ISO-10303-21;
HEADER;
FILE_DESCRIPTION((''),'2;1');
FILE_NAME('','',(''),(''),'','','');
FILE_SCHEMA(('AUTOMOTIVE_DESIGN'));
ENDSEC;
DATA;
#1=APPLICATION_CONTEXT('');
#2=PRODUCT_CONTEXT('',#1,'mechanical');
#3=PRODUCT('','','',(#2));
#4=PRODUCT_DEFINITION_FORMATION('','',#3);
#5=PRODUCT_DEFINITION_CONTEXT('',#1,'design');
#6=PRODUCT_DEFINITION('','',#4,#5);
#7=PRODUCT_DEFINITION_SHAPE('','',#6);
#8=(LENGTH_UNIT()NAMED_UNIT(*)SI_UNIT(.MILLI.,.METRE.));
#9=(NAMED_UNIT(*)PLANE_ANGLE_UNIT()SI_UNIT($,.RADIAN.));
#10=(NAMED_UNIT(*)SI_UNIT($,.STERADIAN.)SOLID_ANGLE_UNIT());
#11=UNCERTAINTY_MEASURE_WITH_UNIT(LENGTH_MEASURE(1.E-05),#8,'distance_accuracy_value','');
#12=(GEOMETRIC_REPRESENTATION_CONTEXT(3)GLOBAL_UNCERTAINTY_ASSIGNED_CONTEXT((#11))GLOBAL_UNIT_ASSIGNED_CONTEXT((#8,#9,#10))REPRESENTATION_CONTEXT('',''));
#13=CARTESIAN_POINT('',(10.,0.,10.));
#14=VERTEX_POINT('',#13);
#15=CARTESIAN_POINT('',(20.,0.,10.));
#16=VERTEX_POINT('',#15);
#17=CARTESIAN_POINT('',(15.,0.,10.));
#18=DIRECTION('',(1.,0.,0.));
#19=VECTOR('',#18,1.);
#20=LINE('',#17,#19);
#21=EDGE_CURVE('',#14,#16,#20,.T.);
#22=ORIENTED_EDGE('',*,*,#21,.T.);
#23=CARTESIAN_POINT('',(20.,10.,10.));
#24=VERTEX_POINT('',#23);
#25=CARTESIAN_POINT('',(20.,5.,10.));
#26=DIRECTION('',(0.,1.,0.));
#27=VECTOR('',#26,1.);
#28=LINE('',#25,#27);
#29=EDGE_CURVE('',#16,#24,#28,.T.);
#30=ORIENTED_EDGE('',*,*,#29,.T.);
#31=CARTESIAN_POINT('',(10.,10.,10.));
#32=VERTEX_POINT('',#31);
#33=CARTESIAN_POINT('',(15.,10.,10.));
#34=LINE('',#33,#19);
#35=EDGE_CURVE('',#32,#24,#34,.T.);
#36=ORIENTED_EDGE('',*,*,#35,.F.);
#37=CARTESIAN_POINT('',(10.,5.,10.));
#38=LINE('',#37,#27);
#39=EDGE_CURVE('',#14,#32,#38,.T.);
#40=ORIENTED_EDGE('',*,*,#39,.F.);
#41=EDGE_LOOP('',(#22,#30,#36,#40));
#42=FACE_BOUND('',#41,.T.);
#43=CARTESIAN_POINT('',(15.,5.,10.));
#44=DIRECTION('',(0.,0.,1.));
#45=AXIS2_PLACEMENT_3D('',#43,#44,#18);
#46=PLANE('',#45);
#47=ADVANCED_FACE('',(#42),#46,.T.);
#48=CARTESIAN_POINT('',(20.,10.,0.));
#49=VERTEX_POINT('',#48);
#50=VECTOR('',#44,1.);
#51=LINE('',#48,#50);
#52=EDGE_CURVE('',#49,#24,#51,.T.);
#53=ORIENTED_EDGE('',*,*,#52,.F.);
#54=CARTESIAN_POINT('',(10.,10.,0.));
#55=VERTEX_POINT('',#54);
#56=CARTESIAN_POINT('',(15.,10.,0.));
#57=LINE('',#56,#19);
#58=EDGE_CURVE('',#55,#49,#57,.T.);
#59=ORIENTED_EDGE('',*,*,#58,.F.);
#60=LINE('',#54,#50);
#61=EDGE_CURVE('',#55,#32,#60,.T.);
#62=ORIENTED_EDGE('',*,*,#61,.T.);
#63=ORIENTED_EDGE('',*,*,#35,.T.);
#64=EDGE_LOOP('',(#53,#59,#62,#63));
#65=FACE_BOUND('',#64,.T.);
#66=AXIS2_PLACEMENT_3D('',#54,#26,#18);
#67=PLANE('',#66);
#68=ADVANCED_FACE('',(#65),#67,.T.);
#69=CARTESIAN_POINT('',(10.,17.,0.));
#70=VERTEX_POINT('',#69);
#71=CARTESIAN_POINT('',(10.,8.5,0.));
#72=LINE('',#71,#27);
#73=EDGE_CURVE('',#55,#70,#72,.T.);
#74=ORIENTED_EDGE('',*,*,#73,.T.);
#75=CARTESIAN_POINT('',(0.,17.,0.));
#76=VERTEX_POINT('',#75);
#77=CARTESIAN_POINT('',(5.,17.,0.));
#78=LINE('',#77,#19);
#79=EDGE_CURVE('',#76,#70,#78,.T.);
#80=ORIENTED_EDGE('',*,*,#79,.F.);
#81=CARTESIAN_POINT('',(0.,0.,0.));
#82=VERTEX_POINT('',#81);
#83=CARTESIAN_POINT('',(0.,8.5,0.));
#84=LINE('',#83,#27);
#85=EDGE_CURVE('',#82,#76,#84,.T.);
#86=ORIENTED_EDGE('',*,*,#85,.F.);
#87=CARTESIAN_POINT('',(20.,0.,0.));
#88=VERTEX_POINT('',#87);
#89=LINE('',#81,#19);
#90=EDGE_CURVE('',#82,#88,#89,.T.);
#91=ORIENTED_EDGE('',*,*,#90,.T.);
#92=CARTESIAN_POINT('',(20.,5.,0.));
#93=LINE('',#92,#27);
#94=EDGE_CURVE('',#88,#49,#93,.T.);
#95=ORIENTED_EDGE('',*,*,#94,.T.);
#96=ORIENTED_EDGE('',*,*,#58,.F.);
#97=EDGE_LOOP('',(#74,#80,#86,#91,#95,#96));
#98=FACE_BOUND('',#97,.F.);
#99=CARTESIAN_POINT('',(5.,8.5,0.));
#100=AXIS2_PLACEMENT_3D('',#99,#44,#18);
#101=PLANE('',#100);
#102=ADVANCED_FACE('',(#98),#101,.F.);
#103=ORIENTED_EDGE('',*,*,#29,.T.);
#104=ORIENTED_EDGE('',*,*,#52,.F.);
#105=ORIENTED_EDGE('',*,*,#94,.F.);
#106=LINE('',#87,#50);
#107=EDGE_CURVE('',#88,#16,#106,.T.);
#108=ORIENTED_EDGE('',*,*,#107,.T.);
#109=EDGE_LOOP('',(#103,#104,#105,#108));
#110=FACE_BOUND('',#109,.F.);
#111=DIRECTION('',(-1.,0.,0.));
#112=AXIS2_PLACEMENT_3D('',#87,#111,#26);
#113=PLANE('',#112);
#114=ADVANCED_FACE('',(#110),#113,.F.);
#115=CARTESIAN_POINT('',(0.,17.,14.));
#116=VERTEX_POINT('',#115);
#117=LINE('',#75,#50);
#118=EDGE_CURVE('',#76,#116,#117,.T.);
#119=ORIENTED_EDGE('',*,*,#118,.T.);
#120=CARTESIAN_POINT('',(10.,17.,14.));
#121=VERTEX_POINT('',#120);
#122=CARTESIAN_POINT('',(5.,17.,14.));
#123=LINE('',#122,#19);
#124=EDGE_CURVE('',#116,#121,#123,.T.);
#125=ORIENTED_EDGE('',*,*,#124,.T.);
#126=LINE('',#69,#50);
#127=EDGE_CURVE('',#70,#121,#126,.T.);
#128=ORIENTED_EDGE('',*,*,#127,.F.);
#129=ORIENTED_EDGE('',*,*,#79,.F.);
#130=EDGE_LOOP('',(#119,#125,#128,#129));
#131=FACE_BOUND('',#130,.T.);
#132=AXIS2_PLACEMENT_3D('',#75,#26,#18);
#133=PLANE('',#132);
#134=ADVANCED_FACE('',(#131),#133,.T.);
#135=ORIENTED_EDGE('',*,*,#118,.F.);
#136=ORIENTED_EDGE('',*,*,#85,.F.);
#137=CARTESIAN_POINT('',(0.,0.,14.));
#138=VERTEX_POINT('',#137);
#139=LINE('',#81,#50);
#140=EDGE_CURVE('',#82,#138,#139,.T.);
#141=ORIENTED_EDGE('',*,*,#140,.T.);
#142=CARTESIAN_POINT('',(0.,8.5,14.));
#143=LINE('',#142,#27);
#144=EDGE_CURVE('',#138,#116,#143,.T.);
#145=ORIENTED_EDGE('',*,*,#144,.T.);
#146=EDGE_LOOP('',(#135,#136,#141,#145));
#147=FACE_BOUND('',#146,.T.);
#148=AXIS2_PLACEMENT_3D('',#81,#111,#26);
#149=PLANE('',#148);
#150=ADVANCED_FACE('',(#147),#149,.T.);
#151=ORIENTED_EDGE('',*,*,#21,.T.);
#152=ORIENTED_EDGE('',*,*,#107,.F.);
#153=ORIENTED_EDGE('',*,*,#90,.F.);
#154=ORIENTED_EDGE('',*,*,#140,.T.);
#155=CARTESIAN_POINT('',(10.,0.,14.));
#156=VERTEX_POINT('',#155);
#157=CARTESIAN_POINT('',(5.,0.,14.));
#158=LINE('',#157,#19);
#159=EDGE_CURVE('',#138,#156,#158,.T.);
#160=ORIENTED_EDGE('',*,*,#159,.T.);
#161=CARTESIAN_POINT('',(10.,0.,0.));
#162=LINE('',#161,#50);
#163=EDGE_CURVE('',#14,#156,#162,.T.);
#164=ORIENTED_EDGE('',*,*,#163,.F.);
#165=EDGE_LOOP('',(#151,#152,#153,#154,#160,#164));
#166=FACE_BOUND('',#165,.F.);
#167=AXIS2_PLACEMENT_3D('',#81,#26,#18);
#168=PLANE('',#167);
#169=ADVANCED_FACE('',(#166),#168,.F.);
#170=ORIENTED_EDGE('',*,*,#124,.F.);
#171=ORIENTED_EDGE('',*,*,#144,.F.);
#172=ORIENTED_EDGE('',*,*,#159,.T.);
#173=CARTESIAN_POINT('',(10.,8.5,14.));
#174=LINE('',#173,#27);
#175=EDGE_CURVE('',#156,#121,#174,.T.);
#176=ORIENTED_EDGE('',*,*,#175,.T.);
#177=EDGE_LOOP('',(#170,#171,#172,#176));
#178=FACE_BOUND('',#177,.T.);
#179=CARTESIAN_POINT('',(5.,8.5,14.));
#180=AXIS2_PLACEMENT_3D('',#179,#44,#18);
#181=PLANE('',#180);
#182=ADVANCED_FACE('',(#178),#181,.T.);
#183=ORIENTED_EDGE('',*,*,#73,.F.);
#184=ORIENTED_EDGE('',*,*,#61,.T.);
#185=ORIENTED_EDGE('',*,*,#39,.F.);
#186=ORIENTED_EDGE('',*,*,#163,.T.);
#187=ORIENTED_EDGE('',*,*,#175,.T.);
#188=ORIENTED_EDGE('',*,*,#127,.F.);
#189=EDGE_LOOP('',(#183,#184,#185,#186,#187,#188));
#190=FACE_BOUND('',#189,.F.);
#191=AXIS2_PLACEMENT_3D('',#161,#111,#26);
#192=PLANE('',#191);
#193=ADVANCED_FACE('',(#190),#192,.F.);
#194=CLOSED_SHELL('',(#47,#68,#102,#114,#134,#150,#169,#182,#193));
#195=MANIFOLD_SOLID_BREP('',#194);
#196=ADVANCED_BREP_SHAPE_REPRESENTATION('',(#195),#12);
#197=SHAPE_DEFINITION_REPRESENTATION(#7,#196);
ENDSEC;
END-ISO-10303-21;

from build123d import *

# Parameters (mm, degrees)
BOX_W        = 10
BOX_H        = 17
BOX_DEPTH    = 14
BOX001_W     = 10
BOX001_H     = 10
BOX001_DEPTH = 10


with BuildPart() as box:
    # Box → Box (new body)
    with BuildSketch(Plane.XY):
        with Locations((5, 8.5)):
            Rectangle(BOX_W, BOX_H)
    extrude(amount=BOX_DEPTH)


with BuildPart() as fusion:
    # Box001 → Box001 (new body)
    with BuildSketch(Plane(origin=(10, 0, 0), x_dir=(1, 0, 0), z_dir=(0, 0, 1))):
        with Locations((5, 5)):
            Rectangle(BOX001_W, BOX001_H)
    extrude(amount=BOX001_DEPTH)

    # Fusion: union Box
    add(box.part)


solid = fusion.part
